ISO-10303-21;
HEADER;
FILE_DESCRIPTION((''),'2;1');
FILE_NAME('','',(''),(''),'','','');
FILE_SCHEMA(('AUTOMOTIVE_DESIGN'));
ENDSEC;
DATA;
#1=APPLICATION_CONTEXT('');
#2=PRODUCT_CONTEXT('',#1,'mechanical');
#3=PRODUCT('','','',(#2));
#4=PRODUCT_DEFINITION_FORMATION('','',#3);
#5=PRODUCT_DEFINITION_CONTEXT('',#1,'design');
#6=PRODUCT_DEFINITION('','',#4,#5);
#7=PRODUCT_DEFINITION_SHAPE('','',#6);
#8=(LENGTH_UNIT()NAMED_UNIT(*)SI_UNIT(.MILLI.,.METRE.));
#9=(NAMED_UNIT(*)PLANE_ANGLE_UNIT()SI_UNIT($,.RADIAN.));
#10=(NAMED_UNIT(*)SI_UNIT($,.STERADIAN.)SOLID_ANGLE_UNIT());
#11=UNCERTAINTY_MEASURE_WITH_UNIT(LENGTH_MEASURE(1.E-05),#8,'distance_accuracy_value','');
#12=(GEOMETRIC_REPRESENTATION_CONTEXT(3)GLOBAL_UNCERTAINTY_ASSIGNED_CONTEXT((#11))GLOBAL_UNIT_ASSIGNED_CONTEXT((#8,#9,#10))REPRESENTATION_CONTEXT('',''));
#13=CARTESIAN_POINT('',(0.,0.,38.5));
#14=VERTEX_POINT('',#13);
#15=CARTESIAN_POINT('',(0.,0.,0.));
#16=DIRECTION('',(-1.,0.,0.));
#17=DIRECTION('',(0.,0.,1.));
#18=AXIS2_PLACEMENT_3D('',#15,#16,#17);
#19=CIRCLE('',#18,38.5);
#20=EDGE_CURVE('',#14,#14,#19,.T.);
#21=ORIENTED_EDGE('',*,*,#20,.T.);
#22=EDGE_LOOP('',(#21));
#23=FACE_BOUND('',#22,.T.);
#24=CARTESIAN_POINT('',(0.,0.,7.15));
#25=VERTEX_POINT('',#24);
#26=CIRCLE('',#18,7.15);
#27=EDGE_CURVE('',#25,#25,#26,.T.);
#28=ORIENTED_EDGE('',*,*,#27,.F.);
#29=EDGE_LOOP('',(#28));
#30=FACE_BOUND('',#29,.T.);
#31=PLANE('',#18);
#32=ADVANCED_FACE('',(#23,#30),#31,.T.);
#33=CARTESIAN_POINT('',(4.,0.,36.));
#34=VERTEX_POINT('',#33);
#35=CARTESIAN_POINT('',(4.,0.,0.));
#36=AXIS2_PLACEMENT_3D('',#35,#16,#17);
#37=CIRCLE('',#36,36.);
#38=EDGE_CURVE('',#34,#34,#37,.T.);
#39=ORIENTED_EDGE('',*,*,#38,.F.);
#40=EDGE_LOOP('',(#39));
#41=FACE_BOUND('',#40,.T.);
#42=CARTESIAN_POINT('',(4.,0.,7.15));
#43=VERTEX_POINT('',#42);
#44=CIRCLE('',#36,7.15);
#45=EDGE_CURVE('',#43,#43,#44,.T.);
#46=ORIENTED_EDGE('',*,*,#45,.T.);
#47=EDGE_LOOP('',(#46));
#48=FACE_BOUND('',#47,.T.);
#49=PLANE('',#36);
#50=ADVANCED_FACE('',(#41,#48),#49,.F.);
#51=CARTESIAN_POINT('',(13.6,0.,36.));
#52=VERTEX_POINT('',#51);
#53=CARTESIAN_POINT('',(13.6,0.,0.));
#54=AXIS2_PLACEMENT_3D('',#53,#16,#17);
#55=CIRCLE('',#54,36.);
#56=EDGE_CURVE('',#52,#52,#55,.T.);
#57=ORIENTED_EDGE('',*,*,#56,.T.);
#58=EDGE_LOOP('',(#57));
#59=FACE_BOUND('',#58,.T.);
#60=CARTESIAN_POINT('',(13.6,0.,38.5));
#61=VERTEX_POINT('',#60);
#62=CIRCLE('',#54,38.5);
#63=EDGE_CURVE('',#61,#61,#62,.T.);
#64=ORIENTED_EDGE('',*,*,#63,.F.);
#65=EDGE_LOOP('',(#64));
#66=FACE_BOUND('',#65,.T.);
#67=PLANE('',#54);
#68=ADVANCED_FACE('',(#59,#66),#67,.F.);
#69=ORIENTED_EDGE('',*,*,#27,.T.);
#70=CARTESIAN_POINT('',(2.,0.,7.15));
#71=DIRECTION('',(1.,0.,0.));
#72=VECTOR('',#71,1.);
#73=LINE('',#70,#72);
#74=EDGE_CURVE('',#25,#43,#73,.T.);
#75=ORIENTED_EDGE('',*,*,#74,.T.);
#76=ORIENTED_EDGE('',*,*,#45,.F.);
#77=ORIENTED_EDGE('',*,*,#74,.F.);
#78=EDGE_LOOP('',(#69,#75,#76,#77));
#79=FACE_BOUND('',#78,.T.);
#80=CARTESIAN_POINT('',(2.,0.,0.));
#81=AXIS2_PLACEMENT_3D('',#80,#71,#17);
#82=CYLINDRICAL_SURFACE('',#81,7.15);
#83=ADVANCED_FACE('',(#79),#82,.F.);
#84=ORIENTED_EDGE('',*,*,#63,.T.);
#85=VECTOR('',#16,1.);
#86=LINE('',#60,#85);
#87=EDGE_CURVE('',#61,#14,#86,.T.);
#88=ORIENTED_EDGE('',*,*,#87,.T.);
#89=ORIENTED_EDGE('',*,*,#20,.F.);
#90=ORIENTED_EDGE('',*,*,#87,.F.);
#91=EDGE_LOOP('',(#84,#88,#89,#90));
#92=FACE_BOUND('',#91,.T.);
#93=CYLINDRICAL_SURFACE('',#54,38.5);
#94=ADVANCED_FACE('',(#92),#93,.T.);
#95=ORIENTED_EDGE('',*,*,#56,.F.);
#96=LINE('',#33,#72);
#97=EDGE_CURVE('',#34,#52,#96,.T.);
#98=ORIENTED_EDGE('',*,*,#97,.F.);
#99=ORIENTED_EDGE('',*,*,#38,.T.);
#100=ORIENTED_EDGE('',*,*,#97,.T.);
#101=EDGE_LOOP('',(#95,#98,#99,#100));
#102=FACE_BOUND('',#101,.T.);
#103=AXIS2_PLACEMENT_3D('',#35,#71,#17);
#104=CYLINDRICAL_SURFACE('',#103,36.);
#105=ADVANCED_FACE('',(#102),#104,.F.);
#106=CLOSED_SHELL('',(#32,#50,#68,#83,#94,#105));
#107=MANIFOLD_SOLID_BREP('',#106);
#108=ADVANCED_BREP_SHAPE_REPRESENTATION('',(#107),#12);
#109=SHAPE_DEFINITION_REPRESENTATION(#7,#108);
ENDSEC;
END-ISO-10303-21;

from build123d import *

# Parameters (mm, degrees)
F0_W = 4
F0_H = 28.85


with BuildPart() as f1:
    # F0 (on Front) → F1 (revolve)
    with BuildSketch(Plane.XZ):
        with Locations((2, 21.575)):
            Rectangle(F0_W, F0_H)
        Polygon((0, 38.5), (0, 36), (4, 36), (13.6, 36), (13.6, 38.5), (4, 38.5), align=None)
    revolve(axis=Axis((2, 0, 0), (-1, 0, 0)))


solid = f1.part
